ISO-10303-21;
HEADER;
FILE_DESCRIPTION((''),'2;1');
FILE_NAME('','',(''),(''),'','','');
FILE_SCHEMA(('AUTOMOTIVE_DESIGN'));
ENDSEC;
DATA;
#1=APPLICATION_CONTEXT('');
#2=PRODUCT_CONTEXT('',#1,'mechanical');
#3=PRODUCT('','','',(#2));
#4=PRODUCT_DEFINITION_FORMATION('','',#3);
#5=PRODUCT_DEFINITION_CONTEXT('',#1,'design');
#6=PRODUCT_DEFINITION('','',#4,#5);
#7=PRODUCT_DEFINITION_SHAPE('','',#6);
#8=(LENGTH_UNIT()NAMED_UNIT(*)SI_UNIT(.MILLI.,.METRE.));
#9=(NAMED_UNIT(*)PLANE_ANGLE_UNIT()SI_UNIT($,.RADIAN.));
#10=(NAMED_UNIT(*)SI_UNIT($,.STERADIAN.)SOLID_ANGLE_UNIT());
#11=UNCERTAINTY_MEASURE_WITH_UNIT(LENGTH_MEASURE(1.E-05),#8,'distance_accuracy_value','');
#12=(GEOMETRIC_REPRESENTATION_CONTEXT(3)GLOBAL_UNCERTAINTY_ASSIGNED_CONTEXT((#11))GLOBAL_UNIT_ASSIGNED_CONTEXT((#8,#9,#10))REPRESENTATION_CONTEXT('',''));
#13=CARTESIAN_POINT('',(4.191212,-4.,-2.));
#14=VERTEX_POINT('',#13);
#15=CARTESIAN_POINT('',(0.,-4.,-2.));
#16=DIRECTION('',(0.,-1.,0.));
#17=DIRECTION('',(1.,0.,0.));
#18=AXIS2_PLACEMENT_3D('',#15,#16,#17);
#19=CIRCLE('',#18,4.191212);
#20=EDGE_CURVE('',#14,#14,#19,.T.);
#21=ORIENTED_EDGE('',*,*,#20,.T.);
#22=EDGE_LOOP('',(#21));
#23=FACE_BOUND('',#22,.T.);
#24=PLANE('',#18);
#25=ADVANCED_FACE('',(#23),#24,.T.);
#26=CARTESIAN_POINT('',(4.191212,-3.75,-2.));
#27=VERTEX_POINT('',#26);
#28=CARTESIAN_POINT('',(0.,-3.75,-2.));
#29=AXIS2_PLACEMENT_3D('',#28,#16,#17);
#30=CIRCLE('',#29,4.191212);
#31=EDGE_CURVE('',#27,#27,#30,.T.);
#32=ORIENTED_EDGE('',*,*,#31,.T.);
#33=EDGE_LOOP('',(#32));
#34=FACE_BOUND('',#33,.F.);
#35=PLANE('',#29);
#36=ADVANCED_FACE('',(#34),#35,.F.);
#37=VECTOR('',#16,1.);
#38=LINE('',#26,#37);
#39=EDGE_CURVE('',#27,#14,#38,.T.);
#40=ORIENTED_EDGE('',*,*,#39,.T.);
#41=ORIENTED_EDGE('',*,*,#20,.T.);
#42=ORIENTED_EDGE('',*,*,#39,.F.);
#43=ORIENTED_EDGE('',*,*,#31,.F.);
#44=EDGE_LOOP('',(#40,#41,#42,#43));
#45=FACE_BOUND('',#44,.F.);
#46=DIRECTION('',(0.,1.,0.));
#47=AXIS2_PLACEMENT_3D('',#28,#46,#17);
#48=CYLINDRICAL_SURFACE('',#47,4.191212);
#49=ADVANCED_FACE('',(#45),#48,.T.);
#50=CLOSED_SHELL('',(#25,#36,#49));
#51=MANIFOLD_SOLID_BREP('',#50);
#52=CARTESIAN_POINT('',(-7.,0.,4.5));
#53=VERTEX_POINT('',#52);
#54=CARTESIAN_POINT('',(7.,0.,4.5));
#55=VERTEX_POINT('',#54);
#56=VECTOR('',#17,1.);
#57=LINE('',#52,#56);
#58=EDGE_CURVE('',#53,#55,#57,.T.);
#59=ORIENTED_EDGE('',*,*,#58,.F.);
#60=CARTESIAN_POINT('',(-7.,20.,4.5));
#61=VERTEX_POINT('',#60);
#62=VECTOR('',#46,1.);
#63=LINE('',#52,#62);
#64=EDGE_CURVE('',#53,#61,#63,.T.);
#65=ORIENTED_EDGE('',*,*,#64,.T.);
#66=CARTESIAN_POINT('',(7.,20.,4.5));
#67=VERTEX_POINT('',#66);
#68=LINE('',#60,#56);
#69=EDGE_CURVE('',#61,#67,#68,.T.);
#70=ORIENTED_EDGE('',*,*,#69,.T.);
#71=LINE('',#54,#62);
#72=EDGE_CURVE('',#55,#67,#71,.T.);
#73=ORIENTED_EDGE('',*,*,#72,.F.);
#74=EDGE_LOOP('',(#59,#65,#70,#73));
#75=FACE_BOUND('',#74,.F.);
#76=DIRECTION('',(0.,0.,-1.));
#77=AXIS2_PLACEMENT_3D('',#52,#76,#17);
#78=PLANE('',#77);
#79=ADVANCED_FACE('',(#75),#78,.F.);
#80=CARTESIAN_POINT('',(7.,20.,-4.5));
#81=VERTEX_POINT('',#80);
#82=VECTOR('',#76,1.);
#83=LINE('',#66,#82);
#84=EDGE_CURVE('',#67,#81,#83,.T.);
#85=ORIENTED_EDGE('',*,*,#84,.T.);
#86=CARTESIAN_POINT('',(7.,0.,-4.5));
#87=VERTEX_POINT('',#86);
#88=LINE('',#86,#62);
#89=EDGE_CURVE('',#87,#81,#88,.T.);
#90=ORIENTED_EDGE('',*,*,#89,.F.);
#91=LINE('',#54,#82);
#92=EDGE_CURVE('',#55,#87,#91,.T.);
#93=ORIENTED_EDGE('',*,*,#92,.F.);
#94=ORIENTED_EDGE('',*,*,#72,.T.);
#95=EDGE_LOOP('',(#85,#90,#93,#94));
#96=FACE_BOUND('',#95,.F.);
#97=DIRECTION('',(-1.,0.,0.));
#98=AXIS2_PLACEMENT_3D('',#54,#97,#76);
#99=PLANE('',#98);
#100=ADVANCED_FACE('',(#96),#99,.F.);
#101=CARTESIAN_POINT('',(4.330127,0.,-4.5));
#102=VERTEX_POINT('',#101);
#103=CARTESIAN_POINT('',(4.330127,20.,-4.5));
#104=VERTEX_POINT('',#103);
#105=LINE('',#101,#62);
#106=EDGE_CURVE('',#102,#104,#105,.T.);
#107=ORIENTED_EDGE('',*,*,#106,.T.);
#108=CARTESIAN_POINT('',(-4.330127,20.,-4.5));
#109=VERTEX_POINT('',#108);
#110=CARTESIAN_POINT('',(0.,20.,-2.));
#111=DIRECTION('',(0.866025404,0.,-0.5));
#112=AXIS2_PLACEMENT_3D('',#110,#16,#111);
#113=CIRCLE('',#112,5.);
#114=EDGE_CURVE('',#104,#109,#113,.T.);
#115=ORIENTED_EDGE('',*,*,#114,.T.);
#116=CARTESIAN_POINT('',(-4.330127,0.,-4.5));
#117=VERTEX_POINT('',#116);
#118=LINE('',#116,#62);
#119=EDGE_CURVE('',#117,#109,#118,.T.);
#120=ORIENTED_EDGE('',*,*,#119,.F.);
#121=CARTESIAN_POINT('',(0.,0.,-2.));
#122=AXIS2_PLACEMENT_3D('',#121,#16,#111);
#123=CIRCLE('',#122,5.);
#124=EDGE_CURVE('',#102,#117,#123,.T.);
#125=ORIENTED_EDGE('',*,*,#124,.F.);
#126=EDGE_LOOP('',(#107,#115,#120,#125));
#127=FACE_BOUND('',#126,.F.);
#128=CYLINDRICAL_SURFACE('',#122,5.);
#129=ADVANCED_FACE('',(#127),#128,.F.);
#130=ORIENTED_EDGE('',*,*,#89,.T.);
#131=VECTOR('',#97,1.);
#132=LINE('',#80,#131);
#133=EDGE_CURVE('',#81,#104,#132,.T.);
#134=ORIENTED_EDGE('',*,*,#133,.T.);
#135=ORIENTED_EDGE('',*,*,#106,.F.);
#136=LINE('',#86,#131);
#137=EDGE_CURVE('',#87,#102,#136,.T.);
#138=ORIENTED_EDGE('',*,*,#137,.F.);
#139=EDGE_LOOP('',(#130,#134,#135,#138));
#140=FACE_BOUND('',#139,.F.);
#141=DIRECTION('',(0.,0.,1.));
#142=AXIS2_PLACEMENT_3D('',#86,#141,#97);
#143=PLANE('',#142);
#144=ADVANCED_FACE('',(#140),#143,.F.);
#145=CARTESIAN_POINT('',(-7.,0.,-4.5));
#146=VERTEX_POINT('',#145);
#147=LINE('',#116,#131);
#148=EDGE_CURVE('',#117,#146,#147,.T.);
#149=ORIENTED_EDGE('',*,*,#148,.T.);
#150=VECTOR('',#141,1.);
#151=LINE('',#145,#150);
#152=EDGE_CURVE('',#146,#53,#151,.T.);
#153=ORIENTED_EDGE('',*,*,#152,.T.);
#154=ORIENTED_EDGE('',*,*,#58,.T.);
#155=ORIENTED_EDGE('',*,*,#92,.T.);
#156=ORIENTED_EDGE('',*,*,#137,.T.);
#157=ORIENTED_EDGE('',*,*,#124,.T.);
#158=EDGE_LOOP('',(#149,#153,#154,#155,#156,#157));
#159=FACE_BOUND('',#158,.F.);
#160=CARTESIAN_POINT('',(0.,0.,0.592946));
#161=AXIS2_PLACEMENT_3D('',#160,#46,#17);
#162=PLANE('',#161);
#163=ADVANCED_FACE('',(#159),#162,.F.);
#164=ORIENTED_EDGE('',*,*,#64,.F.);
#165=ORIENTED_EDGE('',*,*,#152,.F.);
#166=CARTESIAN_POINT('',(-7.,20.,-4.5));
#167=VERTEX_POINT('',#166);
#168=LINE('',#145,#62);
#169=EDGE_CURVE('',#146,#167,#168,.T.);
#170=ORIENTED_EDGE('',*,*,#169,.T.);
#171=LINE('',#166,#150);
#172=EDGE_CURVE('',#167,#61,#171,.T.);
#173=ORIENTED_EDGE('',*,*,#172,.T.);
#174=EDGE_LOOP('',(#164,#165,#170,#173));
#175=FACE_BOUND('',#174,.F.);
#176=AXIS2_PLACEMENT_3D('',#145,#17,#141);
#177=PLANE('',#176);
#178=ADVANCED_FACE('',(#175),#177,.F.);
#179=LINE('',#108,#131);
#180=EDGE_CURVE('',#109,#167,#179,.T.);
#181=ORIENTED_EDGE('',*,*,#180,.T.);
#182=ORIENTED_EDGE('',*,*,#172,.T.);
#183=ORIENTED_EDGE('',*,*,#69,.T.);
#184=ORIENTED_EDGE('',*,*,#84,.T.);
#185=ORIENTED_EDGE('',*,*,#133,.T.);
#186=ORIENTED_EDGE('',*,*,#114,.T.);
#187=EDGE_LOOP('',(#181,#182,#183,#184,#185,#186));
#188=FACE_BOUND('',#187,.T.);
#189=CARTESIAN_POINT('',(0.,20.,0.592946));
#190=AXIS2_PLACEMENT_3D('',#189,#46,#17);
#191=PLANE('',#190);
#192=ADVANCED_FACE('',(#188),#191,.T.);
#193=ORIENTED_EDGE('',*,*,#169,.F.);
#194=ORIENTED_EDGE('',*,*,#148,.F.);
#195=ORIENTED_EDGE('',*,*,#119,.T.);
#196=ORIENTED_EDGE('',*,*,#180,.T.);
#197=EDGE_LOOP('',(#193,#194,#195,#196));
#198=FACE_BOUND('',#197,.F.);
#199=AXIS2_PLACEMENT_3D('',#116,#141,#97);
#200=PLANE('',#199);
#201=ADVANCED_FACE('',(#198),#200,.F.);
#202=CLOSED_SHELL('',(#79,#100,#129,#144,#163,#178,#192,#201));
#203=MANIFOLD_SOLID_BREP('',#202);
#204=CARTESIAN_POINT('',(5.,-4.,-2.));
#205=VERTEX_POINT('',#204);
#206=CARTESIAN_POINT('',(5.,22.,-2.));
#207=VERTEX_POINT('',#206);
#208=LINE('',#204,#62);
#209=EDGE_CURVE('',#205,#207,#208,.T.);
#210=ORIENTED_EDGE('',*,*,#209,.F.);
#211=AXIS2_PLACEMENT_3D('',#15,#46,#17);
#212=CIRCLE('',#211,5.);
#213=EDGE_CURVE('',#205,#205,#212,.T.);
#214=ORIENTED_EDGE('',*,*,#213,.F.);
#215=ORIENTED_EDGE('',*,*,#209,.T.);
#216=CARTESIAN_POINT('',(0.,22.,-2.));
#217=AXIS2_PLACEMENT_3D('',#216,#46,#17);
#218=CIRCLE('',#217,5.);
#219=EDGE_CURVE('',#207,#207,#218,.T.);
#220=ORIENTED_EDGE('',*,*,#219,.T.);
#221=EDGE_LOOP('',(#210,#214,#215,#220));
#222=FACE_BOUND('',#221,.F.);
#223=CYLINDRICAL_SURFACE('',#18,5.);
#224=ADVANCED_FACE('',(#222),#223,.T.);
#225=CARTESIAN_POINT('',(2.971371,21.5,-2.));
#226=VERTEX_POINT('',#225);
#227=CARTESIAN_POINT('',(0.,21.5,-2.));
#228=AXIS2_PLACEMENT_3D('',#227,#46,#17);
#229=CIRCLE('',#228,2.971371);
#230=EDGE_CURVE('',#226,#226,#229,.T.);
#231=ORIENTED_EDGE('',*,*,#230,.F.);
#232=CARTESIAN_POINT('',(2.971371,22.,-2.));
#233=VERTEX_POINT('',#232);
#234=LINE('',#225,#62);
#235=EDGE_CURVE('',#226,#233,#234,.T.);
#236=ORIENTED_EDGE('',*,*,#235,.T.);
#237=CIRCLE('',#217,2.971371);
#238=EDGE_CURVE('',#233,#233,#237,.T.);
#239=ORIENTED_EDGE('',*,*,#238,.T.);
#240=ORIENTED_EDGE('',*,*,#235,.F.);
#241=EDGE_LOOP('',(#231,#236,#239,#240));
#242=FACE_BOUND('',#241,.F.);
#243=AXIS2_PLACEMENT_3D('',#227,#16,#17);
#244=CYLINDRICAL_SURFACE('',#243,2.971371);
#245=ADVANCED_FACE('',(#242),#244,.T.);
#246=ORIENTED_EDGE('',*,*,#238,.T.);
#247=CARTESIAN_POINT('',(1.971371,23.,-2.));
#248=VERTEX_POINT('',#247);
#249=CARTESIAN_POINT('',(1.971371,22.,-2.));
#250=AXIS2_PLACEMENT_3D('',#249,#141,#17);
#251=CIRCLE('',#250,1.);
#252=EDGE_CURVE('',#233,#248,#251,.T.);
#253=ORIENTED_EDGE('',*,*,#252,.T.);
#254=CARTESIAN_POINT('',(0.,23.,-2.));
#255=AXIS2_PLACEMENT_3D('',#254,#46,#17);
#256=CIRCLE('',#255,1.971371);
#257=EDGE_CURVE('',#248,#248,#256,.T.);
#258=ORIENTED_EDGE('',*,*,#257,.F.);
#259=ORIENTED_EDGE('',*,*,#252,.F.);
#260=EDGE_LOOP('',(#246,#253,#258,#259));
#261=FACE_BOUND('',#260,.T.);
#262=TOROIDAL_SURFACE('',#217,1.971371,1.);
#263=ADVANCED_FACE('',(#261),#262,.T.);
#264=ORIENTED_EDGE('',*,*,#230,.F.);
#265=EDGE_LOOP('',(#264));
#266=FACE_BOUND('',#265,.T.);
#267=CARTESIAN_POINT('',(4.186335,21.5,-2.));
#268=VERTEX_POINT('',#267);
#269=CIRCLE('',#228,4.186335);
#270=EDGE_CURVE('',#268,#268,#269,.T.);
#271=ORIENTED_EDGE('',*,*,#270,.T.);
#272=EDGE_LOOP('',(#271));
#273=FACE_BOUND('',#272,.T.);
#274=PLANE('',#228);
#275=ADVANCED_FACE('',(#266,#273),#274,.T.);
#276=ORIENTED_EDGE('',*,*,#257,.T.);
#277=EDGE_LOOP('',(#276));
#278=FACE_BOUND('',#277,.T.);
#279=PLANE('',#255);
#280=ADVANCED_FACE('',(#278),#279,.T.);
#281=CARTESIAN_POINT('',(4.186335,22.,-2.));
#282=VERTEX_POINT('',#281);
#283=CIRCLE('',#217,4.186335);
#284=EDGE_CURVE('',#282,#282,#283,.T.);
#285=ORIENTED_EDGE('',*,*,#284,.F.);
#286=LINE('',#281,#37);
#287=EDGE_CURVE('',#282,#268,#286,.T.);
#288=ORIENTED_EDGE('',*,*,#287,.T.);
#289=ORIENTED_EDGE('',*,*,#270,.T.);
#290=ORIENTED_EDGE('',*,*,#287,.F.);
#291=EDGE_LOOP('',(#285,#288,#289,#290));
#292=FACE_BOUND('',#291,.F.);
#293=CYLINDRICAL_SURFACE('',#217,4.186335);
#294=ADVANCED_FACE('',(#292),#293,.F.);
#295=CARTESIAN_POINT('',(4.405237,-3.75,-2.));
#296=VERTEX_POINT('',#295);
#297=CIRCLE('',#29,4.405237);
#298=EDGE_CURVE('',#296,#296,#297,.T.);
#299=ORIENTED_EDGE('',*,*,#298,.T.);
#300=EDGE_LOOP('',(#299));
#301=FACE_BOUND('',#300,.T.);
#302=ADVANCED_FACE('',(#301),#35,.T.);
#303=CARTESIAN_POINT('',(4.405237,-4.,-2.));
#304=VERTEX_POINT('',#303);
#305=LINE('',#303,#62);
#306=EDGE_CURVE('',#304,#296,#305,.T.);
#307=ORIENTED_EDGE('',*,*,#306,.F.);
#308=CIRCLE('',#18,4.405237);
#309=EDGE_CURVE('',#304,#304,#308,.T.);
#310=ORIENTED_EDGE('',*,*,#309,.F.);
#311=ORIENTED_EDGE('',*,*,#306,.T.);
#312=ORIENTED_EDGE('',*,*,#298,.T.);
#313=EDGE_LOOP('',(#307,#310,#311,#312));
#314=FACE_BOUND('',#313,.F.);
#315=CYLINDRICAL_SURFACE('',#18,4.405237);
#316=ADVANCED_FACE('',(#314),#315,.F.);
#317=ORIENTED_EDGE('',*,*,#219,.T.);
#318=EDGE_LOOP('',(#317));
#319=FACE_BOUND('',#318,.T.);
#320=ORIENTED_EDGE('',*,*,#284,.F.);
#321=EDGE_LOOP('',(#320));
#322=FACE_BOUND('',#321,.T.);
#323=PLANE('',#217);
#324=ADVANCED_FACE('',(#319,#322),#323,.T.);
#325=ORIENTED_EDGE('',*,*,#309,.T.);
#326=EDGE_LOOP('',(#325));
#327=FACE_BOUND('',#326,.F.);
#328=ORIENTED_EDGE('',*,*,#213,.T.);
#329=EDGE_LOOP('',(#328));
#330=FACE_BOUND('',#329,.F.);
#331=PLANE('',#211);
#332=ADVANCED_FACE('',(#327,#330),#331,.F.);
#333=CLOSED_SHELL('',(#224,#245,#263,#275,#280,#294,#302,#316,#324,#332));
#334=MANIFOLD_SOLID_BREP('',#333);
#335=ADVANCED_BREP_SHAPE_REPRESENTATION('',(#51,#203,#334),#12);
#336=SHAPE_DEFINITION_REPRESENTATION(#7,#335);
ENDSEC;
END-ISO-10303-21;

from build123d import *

# Parameters (mm, degrees)
BOSS_EXTRUDE1_DEPTH = 20
BOSS_EXTRUDE2_START = -4
SKETCH2_R           = 5
BOSS_EXTRUDE2_DEPTH = 26
SKETCH3_R           = 4.186334937
CUT_EXTRUDE1_DEPTH  = 0.5
SKETCH4_R           = 2.971370829
BOSS_EXTRUDE3_DEPTH = 1.5
FILLET1_R           = 1
SKETCH5_R           = 4.405236738
CUT_EXTRUDE2_DEPTH  = 0.25
SKETCH6_R           = 4.191211996
BOSS_EXTRUDE4_DEPTH = 0.25


with BuildPart() as part:
    # Sketch1 → Boss-Extrude1 (new body)
    with BuildSketch(Plane(origin=(0, 0, 0), x_dir=(1, 0, 0), z_dir=(0, 1, 0))):
        with BuildLine():
            Line((-4.330127019, 4.5), (-7, 4.5))
            Line((-7, 4.5), (-7, -4.5))
            Line((-7, -4.5), (7, -4.5))
            Line((7, -4.5), (7, 4.5))
            Line((7, 4.5), (4.330127019, 4.5))
            ThreePointArc((4.330127019, 4.5), (0, -3), (-4.330127019, 4.5))
        make_face()
    extrude(amount=BOSS_EXTRUDE1_DEPTH)


with BuildPart() as body_2:
    # Sketch2 → Boss-Extrude2 (new body)
    with BuildSketch(Plane(origin=(0, 0, 0), x_dir=(1, 0, 0), z_dir=(0, 1, 0)).offset(BOSS_EXTRUDE2_START)):
        with Locations((0, 2)):
            Circle(SKETCH2_R)
    extrude(amount=BOSS_EXTRUDE2_DEPTH)

    # Sketch3 → Cut-Extrude1 (cut)
    with BuildSketch(Plane(origin=(0, 22, 0), x_dir=(1, 0, 0), z_dir=(0, 1, 0))):
        with Locations((0, 2)):
            Circle(SKETCH3_R)
    extrude(amount=-CUT_EXTRUDE1_DEPTH, mode=Mode.SUBTRACT)

    # Sketch4 → Boss-Extrude3 (add)
    with BuildSketch(Plane(origin=(0, 21.5, 0), x_dir=(1, 0, 0), z_dir=(0, 1, 0))):
        with Locations((0, 2)):
            Circle(SKETCH4_R)
    extrude(amount=BOSS_EXTRUDE3_DEPTH)

    # Fillet1
    fillet1_edges = [body_2.edges().sort_by_distance(p)[0] for p in [
        (-2.971370829, 23, -2),
    ]]
    fillet(fillet1_edges, radius=FILLET1_R)

    # Sketch5 → Cut-Extrude2 (cut)
    with BuildSketch(Plane.XZ.offset(4)):
        with Locations((0, -2)):
            Circle(SKETCH5_R)
    extrude(amount=-CUT_EXTRUDE2_DEPTH, mode=Mode.SUBTRACT)


with BuildPart() as body_3:
    # Sketch6 → Boss-Extrude4 (new body)
    with BuildSketch(Plane.XZ.offset(3.75)):
        with Locations((0, -2)):
            Circle(SKETCH6_R)
    extrude(amount=BOSS_EXTRUDE4_DEPTH)


solid = Compound([part.part, body_2.part, body_3.part])
